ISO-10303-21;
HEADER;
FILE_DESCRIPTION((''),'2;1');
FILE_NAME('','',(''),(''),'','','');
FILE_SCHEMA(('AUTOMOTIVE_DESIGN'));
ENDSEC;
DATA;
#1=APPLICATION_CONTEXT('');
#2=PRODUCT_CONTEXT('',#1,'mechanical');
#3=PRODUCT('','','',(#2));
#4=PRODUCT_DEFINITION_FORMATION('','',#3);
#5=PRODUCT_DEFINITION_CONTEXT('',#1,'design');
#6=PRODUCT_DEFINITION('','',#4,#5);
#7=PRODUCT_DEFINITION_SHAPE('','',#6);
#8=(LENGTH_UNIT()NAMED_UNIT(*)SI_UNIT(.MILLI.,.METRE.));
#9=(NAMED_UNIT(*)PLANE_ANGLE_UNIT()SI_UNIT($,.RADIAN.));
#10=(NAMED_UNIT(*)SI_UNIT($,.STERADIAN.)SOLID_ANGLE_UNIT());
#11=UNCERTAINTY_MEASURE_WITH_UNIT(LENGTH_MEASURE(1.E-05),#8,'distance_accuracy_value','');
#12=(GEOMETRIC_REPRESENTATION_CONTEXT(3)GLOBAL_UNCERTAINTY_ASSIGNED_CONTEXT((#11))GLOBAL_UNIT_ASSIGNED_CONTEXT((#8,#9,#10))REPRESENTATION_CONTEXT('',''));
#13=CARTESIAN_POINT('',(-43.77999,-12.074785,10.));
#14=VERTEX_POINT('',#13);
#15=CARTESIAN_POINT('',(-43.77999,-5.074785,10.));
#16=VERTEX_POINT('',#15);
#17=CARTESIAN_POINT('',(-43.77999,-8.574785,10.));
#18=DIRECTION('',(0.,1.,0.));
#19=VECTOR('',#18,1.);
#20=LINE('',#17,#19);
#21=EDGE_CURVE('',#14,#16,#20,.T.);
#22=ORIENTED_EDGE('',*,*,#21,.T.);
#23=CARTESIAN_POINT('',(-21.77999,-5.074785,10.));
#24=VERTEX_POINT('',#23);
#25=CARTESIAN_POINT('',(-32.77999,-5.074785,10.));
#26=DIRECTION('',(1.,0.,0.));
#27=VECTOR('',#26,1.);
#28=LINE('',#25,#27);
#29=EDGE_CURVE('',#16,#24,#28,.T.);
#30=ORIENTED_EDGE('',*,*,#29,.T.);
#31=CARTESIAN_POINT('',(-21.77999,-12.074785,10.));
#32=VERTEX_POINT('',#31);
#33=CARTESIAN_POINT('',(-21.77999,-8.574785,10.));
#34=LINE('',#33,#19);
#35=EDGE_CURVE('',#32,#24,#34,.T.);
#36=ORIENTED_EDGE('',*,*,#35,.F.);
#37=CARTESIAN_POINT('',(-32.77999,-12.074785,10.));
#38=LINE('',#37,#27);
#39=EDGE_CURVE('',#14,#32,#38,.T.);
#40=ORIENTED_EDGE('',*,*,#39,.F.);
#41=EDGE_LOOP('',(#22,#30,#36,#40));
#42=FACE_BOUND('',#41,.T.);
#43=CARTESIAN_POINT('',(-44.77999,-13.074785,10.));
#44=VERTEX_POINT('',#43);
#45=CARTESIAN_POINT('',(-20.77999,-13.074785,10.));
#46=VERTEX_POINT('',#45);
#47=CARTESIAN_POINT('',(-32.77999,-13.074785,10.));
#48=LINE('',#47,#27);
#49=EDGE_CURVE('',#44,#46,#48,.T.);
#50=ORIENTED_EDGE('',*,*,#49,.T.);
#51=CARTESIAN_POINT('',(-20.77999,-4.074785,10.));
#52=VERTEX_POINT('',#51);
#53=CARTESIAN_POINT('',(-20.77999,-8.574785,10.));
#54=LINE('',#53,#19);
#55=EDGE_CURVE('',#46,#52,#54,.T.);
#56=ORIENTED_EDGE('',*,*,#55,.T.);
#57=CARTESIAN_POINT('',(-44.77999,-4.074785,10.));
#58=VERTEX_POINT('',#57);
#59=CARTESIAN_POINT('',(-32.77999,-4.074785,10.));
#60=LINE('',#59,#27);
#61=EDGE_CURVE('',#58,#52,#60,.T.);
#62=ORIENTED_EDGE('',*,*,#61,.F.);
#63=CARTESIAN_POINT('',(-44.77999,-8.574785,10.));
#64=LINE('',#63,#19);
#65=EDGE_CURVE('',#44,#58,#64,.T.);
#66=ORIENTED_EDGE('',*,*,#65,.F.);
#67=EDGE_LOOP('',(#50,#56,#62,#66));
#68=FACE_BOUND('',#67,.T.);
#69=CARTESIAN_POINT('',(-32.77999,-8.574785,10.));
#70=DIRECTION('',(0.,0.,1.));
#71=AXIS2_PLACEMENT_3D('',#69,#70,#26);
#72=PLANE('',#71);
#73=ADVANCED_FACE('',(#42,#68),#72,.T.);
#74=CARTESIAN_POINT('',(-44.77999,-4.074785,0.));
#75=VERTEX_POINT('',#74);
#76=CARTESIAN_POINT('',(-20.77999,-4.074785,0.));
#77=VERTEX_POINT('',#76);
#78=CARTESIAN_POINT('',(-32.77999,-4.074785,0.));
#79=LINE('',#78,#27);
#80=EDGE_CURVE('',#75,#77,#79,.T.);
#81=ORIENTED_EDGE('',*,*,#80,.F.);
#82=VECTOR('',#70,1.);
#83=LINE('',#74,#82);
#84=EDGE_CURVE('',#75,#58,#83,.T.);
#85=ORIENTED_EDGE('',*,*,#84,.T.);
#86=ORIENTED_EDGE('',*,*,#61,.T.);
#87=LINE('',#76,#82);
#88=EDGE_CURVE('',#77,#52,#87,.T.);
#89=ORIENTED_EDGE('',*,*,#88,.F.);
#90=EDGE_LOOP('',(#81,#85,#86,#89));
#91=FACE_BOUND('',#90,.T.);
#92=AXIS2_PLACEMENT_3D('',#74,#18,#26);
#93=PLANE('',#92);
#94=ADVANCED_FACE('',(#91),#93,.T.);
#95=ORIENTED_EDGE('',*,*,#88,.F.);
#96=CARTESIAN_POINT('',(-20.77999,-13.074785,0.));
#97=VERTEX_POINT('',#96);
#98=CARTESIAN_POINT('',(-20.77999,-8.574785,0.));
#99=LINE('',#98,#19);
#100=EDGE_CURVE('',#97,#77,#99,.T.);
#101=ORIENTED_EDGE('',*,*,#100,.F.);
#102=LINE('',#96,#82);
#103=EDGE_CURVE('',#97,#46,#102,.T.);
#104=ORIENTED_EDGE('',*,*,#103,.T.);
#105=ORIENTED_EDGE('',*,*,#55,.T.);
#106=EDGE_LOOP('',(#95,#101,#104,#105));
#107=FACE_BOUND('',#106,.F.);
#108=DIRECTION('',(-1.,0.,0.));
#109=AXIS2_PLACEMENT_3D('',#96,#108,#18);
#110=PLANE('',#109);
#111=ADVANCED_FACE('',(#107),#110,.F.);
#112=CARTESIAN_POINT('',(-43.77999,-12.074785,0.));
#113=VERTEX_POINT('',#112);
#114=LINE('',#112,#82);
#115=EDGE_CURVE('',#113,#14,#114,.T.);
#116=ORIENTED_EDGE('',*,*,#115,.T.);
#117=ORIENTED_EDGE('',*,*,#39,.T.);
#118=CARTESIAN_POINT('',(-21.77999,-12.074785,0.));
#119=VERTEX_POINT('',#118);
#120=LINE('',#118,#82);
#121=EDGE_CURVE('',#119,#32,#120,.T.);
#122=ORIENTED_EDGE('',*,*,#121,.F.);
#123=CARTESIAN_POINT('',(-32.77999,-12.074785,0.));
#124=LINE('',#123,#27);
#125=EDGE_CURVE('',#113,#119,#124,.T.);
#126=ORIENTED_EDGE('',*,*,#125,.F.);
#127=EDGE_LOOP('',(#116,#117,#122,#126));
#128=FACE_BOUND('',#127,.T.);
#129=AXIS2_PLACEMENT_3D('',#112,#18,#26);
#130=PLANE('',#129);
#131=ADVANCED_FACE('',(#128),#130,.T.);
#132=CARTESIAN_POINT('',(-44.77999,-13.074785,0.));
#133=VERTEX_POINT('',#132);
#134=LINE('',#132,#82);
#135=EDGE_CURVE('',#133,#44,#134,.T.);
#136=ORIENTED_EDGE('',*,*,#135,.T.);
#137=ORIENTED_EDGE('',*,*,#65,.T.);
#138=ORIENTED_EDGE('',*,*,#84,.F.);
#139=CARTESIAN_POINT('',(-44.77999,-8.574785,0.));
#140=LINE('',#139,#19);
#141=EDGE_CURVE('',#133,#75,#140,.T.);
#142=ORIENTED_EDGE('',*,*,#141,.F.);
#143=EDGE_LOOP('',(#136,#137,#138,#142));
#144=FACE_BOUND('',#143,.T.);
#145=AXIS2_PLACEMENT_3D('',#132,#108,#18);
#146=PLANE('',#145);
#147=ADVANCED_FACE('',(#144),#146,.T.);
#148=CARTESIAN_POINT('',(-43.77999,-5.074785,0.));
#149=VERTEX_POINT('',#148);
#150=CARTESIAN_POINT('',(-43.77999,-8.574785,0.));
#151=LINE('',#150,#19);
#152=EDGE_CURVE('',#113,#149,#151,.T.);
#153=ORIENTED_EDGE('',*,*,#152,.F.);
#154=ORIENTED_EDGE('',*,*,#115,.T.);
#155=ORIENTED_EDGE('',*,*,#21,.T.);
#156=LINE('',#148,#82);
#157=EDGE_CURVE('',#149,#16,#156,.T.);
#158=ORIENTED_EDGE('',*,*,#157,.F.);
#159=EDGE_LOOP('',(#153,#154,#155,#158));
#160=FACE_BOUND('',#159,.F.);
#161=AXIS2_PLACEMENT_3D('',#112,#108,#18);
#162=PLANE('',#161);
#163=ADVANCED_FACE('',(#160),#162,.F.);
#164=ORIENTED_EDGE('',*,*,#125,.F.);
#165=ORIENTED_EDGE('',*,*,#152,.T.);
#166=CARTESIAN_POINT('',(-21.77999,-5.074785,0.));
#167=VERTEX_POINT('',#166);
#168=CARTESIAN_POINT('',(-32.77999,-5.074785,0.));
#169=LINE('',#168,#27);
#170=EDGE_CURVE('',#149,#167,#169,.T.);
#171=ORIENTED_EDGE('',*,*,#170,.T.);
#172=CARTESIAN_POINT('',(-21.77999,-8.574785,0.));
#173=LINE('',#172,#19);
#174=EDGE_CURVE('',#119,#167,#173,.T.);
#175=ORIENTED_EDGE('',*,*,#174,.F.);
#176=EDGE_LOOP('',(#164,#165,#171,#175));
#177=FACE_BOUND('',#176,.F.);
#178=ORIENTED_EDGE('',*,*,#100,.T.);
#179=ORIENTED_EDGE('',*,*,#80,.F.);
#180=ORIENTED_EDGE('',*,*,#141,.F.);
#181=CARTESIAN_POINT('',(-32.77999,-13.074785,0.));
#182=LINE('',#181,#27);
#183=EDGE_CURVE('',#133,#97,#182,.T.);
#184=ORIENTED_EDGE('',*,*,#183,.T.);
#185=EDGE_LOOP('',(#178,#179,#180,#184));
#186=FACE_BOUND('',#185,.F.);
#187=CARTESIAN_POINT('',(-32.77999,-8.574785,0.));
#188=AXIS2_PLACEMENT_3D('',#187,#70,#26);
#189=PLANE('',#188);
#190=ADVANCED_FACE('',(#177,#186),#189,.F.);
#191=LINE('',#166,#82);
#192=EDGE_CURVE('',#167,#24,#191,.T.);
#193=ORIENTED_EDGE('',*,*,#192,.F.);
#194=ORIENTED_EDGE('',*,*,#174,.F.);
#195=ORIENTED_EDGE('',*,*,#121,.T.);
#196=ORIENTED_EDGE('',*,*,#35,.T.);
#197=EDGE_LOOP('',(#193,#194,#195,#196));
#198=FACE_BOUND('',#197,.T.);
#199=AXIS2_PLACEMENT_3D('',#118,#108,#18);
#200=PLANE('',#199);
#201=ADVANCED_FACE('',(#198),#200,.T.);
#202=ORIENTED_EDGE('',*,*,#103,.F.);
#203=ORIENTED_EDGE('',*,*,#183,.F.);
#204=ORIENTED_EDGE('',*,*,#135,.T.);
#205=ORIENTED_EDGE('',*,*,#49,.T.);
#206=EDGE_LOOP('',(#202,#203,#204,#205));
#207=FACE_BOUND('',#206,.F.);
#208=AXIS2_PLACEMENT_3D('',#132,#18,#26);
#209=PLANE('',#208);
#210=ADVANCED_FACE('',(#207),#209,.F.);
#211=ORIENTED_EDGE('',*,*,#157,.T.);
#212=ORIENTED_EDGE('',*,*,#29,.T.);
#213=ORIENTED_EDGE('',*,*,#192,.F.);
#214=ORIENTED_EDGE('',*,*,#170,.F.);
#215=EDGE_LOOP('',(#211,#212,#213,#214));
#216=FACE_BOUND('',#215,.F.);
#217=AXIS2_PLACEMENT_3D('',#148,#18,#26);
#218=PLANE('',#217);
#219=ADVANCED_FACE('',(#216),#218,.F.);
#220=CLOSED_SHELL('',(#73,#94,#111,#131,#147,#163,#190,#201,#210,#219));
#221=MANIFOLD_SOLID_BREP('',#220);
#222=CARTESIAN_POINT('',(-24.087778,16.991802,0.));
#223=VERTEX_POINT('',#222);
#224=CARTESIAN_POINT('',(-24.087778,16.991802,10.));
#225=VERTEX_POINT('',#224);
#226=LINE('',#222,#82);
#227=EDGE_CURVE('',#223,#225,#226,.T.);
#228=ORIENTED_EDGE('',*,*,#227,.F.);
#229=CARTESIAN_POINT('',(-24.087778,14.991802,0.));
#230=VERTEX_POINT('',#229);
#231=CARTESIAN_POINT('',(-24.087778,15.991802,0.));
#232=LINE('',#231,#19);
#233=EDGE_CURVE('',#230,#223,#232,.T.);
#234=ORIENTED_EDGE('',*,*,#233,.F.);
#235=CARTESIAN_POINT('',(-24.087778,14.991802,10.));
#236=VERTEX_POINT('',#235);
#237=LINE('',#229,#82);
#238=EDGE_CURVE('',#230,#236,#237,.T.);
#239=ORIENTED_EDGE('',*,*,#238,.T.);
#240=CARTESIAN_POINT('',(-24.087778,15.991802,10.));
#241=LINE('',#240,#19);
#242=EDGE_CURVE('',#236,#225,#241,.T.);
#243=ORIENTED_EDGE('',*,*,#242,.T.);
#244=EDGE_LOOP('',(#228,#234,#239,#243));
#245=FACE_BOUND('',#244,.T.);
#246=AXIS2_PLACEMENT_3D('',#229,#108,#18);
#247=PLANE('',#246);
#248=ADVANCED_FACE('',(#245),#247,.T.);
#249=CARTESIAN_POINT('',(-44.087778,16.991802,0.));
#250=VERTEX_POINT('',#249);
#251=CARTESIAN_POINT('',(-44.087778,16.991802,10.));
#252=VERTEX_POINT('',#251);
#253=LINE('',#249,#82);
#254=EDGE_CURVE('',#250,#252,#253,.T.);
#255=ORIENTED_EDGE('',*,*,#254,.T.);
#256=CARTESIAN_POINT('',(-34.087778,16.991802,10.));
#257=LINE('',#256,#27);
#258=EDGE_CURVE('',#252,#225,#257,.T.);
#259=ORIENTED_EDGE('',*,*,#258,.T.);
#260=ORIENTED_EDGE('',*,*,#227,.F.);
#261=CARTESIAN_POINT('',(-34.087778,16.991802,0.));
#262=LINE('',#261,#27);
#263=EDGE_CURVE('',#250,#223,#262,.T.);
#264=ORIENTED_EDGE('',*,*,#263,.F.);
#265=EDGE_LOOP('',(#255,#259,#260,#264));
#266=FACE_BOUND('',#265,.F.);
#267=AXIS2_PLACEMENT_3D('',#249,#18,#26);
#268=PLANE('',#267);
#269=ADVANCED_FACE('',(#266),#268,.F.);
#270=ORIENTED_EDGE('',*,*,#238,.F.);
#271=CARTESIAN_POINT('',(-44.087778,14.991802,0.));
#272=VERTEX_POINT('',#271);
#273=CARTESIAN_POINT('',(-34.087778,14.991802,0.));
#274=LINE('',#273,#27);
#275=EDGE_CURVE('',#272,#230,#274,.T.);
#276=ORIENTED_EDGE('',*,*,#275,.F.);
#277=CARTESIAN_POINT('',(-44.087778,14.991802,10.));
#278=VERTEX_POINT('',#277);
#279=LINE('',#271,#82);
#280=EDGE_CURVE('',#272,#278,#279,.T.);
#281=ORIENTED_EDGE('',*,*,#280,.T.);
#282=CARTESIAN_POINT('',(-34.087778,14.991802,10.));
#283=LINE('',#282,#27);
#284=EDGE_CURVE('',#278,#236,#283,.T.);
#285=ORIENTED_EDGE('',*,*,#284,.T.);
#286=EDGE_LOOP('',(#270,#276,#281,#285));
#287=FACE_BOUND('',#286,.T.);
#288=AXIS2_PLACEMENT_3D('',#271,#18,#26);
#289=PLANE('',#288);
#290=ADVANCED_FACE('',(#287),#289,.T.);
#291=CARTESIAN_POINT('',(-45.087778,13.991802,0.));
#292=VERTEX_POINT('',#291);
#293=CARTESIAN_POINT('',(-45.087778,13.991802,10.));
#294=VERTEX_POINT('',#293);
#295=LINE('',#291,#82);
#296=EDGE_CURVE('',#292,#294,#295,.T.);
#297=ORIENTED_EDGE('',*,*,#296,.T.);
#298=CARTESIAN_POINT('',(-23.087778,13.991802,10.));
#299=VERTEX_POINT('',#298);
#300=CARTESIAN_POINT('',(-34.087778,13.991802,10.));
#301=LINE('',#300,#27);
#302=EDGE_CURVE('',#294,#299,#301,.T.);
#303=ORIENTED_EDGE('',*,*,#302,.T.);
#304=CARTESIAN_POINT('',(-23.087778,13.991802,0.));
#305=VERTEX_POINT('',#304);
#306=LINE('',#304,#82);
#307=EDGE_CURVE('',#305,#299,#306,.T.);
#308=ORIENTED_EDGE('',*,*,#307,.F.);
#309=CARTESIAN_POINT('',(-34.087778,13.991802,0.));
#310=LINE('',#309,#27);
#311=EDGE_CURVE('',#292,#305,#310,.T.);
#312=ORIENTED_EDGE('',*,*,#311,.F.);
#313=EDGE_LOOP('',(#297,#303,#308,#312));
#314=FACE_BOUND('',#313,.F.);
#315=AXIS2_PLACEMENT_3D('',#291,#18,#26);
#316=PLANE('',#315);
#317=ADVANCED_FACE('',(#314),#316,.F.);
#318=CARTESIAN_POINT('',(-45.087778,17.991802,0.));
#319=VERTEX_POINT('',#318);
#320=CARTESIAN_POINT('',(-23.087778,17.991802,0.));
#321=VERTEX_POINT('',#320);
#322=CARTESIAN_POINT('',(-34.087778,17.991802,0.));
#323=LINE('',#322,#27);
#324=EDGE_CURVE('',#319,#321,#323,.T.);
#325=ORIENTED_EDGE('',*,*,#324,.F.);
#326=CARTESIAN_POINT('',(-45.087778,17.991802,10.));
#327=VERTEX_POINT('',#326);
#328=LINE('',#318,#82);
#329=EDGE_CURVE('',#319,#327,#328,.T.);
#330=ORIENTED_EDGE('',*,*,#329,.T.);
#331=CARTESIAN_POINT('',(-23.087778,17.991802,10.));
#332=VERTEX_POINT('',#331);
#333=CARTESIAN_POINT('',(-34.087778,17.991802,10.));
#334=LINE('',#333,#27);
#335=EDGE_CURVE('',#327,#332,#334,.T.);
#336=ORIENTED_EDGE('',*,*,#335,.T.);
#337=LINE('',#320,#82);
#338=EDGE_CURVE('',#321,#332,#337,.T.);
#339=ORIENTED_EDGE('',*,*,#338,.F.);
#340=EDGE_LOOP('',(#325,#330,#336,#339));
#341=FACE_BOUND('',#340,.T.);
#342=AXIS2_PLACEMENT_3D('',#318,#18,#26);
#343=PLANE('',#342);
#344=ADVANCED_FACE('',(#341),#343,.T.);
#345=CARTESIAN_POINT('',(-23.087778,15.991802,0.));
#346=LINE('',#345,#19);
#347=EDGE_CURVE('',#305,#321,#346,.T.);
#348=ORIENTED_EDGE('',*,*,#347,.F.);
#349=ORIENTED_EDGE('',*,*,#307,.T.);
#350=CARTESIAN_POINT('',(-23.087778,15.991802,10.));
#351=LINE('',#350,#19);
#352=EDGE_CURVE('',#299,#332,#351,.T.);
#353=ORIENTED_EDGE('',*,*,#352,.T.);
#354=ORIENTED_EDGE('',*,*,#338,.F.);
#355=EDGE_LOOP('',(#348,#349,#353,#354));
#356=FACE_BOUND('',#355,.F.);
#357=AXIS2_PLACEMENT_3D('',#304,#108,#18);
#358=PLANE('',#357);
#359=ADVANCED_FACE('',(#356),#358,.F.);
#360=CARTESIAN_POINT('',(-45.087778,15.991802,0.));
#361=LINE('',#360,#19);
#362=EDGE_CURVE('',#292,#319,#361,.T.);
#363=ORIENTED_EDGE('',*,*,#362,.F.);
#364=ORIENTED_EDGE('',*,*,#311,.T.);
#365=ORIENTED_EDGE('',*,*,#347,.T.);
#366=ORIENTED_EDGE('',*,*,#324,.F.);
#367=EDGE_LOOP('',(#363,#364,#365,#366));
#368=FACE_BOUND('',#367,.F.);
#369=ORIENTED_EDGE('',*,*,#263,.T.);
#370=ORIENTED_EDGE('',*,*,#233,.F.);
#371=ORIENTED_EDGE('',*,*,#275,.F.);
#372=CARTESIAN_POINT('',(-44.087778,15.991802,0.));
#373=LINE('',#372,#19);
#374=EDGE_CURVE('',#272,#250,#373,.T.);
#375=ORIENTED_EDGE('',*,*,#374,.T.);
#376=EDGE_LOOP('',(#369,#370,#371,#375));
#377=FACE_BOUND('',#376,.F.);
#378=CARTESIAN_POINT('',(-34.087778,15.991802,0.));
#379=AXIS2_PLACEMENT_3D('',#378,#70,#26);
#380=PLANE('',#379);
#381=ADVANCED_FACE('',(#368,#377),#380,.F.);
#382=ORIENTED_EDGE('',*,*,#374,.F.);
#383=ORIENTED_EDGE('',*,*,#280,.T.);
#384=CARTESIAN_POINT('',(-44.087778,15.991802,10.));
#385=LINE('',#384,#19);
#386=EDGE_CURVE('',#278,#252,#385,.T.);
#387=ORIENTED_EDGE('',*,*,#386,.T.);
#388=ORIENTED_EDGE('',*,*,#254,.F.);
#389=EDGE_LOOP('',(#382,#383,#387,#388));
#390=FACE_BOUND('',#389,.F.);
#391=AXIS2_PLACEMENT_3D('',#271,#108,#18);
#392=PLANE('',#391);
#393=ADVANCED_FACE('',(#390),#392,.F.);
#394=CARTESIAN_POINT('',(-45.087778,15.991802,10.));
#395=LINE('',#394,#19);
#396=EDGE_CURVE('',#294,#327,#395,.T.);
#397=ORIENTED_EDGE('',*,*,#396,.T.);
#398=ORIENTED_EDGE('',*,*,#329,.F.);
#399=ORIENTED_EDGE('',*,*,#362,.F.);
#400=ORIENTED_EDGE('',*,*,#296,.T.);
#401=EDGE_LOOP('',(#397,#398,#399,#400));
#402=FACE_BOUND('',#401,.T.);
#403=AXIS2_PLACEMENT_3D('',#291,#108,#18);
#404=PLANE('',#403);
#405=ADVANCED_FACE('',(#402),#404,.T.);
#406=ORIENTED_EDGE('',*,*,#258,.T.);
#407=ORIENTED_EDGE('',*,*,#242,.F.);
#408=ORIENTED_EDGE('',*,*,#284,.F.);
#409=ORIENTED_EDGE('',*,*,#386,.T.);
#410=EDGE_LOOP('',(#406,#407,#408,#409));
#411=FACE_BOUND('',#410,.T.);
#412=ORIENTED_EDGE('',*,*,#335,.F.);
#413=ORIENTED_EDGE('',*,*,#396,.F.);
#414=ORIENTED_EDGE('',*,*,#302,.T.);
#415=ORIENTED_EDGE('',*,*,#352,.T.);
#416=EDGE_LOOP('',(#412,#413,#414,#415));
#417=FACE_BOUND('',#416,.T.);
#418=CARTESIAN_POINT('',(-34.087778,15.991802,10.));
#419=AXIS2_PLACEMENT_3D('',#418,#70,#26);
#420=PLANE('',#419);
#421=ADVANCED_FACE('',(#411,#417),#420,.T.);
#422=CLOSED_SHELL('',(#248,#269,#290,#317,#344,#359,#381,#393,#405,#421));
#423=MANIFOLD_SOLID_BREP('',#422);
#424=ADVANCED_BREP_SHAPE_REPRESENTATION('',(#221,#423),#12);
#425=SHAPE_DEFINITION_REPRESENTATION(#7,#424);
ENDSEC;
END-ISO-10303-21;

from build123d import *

# Parameters (mm, degrees)
F0_W     = 22
F0_H     = 4
F0_W_2   = 20
F0_H_2   = 2
F0_W_3   = 24
F0_H_3   = 9
F0_H_4   = 7
F1_DEPTH = 10


with BuildPart() as f1:
    # F0 (on Top) → F1 (new body)
    with BuildSketch(Plane.XY):
        with Locations((-34.087778, 15.991802)):
            Rectangle(F0_W, F0_H)
        with Locations((-34.087778, 15.991802)):
            Rectangle(F0_W_2, F0_H_2, mode=Mode.SUBTRACT)
        with Locations((-32.77999, -8.574785)):
            Rectangle(F0_W_3, F0_H_3)
        with Locations((-32.77999, -8.574785)):
            Rectangle(F0_W, F0_H_4, mode=Mode.SUBTRACT)
    extrude(amount=F1_DEPTH)


solid = f1.part
